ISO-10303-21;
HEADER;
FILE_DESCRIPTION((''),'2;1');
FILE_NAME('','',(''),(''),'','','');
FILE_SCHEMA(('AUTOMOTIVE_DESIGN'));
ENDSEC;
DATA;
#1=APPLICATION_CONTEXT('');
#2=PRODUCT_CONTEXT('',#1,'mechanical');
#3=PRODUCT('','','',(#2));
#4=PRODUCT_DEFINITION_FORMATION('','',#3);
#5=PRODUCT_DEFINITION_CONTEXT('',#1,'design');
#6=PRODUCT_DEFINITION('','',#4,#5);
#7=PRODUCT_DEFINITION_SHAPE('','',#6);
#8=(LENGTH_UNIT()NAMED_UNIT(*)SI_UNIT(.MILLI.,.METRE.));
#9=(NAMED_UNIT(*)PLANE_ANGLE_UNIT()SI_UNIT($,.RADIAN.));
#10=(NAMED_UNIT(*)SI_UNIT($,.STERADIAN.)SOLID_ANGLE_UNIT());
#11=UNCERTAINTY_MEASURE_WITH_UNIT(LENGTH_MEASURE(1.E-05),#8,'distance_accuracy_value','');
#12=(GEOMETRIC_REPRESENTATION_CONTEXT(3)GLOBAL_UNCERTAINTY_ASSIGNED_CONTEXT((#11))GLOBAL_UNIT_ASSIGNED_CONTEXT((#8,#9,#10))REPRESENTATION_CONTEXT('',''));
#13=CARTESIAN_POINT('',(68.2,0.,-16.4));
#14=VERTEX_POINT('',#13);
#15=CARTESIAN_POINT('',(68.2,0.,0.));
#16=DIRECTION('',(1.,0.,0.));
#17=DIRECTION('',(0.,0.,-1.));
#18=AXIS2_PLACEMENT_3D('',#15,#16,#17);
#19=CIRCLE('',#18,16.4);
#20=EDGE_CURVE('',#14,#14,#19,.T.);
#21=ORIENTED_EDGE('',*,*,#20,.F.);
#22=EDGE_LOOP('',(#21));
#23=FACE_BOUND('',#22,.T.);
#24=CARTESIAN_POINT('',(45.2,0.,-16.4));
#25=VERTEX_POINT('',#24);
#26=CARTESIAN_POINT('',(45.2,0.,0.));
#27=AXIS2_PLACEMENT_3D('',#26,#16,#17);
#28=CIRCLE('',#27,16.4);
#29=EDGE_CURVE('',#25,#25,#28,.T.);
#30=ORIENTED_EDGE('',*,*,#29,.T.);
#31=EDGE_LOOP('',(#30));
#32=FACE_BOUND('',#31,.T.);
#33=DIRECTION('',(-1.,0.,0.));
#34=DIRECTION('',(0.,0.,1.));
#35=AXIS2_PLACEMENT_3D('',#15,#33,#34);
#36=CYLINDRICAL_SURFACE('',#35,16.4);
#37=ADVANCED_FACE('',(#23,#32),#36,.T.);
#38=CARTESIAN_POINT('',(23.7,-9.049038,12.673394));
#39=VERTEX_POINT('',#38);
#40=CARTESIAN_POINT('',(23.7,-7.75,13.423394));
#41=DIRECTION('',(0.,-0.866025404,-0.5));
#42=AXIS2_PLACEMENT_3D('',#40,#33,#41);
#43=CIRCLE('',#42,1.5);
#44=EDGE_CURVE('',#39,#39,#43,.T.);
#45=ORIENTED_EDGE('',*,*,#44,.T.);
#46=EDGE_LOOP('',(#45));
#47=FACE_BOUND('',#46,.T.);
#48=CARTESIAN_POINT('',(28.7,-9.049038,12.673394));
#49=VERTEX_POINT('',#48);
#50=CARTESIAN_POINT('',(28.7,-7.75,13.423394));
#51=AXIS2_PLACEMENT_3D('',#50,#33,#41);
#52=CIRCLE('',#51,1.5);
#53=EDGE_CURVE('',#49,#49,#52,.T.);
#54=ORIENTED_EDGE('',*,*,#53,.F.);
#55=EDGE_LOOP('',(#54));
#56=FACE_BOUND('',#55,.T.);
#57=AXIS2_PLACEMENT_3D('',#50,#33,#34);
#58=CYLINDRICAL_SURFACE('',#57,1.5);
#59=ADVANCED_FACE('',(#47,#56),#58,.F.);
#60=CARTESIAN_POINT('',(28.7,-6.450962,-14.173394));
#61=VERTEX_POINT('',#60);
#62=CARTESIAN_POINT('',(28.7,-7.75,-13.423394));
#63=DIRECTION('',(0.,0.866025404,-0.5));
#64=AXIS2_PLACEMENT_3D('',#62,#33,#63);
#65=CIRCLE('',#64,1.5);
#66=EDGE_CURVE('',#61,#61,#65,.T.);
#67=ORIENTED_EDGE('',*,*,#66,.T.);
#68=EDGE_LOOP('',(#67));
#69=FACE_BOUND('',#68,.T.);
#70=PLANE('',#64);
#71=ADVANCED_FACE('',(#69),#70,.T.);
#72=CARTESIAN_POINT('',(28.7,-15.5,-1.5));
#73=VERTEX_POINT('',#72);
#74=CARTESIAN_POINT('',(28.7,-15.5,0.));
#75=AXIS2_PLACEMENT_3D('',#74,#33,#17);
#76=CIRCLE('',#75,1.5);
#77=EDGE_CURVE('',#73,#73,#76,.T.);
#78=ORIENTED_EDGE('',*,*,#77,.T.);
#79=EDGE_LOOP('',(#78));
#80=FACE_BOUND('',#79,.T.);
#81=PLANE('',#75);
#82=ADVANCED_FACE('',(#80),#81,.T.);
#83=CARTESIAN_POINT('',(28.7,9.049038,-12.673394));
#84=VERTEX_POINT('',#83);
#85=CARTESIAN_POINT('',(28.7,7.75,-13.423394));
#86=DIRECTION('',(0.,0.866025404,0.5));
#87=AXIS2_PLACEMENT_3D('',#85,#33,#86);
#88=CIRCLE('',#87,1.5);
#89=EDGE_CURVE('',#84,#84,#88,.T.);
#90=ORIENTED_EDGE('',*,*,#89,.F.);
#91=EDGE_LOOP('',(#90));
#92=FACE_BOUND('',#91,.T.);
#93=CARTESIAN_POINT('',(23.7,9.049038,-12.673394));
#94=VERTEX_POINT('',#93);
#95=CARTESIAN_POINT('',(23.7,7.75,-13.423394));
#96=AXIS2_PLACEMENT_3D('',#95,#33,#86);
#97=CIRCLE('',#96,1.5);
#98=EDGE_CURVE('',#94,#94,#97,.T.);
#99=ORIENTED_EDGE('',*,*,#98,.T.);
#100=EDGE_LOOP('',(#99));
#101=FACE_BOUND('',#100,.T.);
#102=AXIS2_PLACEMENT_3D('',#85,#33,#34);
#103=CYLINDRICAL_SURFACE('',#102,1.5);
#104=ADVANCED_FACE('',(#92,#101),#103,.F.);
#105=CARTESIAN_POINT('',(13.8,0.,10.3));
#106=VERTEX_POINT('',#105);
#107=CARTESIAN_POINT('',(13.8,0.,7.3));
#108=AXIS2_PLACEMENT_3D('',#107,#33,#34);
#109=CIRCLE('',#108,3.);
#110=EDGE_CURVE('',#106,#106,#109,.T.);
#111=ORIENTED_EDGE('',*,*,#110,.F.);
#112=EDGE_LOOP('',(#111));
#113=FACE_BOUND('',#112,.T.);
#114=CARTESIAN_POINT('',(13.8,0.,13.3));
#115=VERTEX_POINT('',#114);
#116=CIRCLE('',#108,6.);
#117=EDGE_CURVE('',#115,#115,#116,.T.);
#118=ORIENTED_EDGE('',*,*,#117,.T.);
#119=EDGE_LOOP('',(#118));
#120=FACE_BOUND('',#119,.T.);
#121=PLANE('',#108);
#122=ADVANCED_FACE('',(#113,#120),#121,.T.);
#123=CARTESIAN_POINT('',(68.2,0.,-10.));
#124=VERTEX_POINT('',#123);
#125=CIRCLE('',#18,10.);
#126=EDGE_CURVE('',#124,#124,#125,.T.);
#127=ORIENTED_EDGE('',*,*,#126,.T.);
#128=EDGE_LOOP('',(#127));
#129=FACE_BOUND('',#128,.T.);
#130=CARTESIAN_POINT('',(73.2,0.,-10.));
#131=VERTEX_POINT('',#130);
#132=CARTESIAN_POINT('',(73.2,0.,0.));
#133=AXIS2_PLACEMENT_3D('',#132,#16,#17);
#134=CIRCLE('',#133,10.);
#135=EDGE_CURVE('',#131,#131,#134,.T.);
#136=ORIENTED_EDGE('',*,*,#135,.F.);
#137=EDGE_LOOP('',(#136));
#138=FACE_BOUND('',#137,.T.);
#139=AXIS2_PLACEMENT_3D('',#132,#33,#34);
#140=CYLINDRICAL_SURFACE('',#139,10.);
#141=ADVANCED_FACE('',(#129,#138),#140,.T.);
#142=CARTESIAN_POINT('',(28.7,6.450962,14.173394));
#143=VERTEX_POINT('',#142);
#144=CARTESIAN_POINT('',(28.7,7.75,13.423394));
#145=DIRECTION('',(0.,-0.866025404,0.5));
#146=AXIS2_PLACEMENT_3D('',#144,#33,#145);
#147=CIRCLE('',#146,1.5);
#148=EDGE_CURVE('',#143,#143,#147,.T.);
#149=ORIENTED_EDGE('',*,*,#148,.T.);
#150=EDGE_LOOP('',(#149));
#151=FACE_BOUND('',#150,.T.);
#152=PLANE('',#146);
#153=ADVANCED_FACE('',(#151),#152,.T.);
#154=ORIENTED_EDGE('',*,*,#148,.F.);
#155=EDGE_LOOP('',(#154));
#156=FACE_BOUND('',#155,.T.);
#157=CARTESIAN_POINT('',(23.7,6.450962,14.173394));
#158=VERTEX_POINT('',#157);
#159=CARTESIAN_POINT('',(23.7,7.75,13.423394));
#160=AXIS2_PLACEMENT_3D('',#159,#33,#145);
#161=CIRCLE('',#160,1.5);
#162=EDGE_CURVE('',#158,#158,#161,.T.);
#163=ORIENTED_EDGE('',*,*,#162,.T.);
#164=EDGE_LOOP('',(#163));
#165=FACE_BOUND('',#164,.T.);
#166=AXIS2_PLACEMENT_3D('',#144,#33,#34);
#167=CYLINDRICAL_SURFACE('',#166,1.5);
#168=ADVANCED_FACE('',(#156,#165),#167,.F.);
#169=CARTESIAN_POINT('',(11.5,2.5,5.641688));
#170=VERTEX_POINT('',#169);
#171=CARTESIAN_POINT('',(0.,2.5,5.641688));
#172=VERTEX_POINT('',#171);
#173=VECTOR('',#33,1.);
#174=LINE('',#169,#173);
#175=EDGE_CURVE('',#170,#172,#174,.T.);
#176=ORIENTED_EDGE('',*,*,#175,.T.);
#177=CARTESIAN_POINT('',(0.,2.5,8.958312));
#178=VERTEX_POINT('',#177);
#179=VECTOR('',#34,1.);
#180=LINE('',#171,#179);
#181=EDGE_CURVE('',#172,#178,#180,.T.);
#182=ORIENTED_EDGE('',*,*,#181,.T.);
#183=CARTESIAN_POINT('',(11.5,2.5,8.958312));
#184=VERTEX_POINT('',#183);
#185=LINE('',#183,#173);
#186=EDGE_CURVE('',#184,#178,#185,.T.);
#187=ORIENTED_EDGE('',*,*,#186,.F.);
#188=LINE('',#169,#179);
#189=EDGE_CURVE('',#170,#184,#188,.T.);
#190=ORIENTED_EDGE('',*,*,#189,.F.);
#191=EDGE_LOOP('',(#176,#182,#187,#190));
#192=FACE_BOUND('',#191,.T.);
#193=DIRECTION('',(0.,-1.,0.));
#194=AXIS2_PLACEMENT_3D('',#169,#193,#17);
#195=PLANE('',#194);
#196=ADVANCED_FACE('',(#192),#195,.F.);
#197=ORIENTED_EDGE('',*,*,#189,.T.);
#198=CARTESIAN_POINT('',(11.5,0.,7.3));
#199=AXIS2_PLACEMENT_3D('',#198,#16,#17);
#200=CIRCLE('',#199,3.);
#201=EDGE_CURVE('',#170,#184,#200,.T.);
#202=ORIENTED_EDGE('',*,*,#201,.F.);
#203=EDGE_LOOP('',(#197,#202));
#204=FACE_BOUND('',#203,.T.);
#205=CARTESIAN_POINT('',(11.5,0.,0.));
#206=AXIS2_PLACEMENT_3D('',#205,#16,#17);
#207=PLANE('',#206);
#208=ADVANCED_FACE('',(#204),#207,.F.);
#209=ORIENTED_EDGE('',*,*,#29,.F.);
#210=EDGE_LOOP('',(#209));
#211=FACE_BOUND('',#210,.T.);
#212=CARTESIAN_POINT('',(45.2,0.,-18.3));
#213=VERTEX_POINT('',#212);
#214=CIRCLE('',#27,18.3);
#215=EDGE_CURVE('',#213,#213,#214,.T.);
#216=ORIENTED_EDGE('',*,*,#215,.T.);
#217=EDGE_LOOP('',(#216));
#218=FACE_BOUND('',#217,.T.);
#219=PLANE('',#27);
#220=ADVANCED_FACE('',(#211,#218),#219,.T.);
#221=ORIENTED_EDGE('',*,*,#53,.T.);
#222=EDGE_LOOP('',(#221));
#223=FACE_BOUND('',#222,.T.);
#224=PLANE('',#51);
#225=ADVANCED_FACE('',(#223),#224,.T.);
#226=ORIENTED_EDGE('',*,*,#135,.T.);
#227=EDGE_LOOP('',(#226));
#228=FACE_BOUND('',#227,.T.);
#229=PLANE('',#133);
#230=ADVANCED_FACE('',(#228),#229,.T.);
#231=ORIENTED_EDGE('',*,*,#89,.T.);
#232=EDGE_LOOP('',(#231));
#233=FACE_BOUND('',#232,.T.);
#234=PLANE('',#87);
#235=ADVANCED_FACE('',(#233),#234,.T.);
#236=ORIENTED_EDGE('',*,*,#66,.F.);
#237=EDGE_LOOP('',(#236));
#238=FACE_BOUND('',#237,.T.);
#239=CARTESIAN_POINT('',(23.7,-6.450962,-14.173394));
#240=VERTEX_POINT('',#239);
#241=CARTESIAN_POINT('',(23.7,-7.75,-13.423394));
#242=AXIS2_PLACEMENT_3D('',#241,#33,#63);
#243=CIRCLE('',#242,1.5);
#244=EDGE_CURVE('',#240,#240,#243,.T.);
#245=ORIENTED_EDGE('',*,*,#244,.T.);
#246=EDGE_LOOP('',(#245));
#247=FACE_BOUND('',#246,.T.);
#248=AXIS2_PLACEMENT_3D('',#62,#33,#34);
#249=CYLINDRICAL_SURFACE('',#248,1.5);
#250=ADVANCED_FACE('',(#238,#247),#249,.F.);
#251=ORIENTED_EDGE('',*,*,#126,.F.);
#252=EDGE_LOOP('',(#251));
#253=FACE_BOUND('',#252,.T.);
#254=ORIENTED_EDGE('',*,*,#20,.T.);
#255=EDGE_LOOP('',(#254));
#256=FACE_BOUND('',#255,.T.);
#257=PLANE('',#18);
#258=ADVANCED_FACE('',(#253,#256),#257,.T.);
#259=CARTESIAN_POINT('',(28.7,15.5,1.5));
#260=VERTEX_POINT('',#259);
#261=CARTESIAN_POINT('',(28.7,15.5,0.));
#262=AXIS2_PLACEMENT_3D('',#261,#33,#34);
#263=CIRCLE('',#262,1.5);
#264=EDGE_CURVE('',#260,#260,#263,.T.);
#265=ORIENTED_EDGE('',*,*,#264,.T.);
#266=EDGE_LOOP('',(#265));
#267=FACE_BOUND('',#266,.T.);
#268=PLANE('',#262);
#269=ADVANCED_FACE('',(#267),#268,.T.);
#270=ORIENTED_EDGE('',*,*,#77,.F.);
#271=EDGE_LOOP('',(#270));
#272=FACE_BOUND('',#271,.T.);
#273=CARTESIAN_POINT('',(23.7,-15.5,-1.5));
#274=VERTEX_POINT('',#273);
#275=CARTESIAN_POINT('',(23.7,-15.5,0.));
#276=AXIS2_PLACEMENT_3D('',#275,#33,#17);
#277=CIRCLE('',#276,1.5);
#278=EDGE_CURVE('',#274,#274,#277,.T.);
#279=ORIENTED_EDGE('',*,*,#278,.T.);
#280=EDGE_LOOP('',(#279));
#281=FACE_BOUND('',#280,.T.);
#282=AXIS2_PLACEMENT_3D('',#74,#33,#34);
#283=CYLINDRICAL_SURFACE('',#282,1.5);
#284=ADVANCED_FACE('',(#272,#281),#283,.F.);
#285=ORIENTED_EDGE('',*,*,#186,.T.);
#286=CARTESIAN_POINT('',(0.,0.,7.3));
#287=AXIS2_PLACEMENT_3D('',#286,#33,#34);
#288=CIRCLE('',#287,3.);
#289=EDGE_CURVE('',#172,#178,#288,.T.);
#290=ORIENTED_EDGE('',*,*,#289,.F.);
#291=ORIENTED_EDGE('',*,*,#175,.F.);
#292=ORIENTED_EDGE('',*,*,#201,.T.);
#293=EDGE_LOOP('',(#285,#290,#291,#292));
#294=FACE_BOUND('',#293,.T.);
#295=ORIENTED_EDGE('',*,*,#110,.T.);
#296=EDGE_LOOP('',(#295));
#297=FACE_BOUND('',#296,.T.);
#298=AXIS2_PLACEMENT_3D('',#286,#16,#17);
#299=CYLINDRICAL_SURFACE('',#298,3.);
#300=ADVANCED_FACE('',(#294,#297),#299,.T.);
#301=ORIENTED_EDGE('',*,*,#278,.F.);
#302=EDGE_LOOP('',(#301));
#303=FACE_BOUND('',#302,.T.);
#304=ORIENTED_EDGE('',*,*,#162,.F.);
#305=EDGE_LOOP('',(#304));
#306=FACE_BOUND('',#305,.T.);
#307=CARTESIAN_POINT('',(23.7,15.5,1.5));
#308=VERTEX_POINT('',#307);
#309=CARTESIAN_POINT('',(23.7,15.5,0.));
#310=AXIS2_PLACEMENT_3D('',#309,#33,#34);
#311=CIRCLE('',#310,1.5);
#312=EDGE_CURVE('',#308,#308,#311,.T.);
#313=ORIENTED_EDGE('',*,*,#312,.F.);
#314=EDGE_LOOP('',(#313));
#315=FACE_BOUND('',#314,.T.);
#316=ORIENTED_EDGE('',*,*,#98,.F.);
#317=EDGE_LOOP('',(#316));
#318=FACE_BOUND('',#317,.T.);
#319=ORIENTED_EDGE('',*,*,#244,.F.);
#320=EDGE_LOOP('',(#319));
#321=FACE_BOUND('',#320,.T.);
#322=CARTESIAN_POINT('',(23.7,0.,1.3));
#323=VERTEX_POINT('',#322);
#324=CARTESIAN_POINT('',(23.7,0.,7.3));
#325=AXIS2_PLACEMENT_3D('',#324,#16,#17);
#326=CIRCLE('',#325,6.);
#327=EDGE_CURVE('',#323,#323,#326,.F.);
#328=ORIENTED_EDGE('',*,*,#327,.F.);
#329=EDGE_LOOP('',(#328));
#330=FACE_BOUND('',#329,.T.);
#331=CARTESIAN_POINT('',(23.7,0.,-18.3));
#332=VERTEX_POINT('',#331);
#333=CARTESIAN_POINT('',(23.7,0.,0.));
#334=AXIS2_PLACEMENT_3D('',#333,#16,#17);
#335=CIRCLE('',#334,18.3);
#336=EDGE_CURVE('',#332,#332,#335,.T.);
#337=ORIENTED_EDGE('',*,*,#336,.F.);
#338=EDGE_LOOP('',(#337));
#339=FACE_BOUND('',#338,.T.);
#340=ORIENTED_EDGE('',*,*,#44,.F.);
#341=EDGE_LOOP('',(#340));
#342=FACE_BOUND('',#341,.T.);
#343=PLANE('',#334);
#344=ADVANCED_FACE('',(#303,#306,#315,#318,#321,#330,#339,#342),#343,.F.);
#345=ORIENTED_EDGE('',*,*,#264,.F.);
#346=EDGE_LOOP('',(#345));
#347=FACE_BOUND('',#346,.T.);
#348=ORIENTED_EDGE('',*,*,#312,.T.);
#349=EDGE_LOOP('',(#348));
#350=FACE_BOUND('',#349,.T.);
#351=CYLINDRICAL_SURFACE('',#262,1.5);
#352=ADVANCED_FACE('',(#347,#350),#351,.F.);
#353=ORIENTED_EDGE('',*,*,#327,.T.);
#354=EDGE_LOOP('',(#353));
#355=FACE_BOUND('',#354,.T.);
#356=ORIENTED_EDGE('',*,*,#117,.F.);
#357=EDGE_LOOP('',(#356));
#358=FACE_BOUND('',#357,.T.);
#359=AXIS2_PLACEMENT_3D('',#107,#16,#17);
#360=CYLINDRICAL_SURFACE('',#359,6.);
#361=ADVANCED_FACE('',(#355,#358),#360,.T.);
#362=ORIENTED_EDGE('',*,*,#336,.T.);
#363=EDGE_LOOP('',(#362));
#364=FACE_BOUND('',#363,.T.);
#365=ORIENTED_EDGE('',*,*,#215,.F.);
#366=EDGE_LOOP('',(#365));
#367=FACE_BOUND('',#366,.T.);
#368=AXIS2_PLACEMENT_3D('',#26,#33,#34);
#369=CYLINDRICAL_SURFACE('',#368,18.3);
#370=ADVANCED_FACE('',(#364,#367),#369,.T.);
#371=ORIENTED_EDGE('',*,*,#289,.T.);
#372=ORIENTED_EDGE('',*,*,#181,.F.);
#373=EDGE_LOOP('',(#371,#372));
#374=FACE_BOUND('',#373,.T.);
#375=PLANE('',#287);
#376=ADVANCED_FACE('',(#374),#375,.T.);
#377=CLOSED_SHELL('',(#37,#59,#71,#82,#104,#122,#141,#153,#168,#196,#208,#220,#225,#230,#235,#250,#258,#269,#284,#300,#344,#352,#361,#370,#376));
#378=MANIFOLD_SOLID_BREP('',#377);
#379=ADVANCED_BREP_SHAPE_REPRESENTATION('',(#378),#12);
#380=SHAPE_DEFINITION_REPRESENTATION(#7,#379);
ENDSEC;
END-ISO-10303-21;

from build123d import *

# Parameters (mm, degrees)
SKETCH_1_R               = 3
EXTRUDE_1_DEPTH          = 13.8
SKETCH_2_R               = 6
EXTRUDE_2_DEPTH          = 9.9
SKETCH_3_R               = 18.3
EXTRUDE_3_DEPTH          = 21.5
SKETCH_4_R               = 16.4
EXTRUDE_4_DEPTH          = 23
SKETCH_5_R               = 10
EXTRUDE_5_DEPTH          = 5
CUT_EXTRUDE_1_DEPTH      = 11.5
SKETCH_7_R               = 1.5
CUT_EXTRUDE_2_DEPTH      = 5
PATTERN_CIRCULAR_1_COUNT = 6
SKETCH_8_R               = 8.963335845
CUT_EXTRUDE_3_DEPTH      = 23.7
SKETCH_9_R               = 6
EXTRUDE_6_DEPTH          = 9.9
SKETCH_10_R              = 3
EXTRUDE_7_DEPTH          = 13.8
CUT_EXTRUDE_4_DEPTH      = 11.5


with BuildPart() as part:
    # 草图1 → 凸台-拉伸1 (new body)
    with BuildSketch(Plane(origin=(0, 0, 0), x_dir=(0, 0, -1), z_dir=(1, 0, 0))):
        with Locations(Location((0, 0, 0), (0, 0, 180))):
            Circle(SKETCH_1_R)
    extrude(amount=EXTRUDE_1_DEPTH)

    # 草图2 → 凸台-拉伸2 (add)
    with BuildSketch(Plane(origin=(13.8, 0, 0), x_dir=(0, 0, -1), z_dir=(1, 0, 0))):
        Circle(SKETCH_2_R)
    extrude(amount=EXTRUDE_2_DEPTH)

    # 草图3 → 凸台-拉伸3 (add)
    with BuildSketch(Plane(origin=(23.7, 0, 0), x_dir=(0, 0, -1), z_dir=(1, 0, 0))):
        Circle(SKETCH_3_R)
    extrude(amount=EXTRUDE_3_DEPTH)

    # 草图4 → 凸台-拉伸4 (add)
    with BuildSketch(Plane(origin=(45.2, 0, 0), x_dir=(0, 0, -1), z_dir=(1, 0, 0))):
        Circle(SKETCH_4_R)
    extrude(amount=EXTRUDE_4_DEPTH)

    # 草图5 → 凸台-拉伸5 (add)
    with BuildSketch(Plane(origin=(68.2, 0, 0), x_dir=(0, 0, -1), z_dir=(1, 0, 0))):
        Circle(SKETCH_5_R)
    extrude(amount=EXTRUDE_5_DEPTH)

    # 草图6 → 切除-拉伸1 (cut)
    with BuildSketch(Plane.ZY):
        Polygon((-1.658312395, 2.5), (1.658312395, 2.5), (1.914814447, 4.033173691), (-2.453659142, 4.033173691), align=None)
    extrude(amount=-CUT_EXTRUDE_1_DEPTH, mode=Mode.SUBTRACT)

    # 草图7 → 切除-拉伸2 (cut)
    with BuildSketch(Plane.ZY.offset(-23.7)):
        with Locations((0, 15.5)):
            Circle(SKETCH_7_R)
    cut_extrude_2 = extrude(amount=-CUT_EXTRUDE_2_DEPTH, mode=Mode.SUBTRACT)

    # 阵列(圆周)1: 切除-拉伸2 ×6 about axis
    pattern_circular_1_axis = Axis((0, 0, 0), (1, 0, 0))
    for i in range(1, PATTERN_CIRCULAR_1_COUNT):
        add(cut_extrude_2.rotate(pattern_circular_1_axis, i * 360 / PATTERN_CIRCULAR_1_COUNT), mode=Mode.SUBTRACT)

    # 草图8 → 切除-拉伸3 (cut)
    with BuildSketch(Plane.ZY):
        Circle(SKETCH_8_R)
    extrude(amount=-CUT_EXTRUDE_3_DEPTH, mode=Mode.SUBTRACT)

    # 草图9 → 凸台-拉伸6 (add)
    with BuildSketch(Plane.ZY.offset(-23.7)):
        with Locations(Location((7.3, 0, 0), (0, 0, 180))):
            Circle(SKETCH_9_R)
    extrude(amount=EXTRUDE_6_DEPTH)

    # 草图10 → 凸台-拉伸7 (add)
    with BuildSketch(Plane.ZY.offset(-13.8)):
        with Locations(Location((7.3, 0, 0), (0, 0, 180))):
            Circle(SKETCH_10_R)
    extrude(amount=EXTRUDE_7_DEPTH)

    # 草图11 → 切除-拉伸4 (cut)
    with BuildSketch(Plane.ZY):
        Polygon((5.641687605, 2.5), (8.958312395, 2.5), (9.936132203, 4.4850308), (5.641687605, 3.798836175), align=None)
    extrude(amount=-CUT_EXTRUDE_4_DEPTH, mode=Mode.SUBTRACT)


solid = part.part
